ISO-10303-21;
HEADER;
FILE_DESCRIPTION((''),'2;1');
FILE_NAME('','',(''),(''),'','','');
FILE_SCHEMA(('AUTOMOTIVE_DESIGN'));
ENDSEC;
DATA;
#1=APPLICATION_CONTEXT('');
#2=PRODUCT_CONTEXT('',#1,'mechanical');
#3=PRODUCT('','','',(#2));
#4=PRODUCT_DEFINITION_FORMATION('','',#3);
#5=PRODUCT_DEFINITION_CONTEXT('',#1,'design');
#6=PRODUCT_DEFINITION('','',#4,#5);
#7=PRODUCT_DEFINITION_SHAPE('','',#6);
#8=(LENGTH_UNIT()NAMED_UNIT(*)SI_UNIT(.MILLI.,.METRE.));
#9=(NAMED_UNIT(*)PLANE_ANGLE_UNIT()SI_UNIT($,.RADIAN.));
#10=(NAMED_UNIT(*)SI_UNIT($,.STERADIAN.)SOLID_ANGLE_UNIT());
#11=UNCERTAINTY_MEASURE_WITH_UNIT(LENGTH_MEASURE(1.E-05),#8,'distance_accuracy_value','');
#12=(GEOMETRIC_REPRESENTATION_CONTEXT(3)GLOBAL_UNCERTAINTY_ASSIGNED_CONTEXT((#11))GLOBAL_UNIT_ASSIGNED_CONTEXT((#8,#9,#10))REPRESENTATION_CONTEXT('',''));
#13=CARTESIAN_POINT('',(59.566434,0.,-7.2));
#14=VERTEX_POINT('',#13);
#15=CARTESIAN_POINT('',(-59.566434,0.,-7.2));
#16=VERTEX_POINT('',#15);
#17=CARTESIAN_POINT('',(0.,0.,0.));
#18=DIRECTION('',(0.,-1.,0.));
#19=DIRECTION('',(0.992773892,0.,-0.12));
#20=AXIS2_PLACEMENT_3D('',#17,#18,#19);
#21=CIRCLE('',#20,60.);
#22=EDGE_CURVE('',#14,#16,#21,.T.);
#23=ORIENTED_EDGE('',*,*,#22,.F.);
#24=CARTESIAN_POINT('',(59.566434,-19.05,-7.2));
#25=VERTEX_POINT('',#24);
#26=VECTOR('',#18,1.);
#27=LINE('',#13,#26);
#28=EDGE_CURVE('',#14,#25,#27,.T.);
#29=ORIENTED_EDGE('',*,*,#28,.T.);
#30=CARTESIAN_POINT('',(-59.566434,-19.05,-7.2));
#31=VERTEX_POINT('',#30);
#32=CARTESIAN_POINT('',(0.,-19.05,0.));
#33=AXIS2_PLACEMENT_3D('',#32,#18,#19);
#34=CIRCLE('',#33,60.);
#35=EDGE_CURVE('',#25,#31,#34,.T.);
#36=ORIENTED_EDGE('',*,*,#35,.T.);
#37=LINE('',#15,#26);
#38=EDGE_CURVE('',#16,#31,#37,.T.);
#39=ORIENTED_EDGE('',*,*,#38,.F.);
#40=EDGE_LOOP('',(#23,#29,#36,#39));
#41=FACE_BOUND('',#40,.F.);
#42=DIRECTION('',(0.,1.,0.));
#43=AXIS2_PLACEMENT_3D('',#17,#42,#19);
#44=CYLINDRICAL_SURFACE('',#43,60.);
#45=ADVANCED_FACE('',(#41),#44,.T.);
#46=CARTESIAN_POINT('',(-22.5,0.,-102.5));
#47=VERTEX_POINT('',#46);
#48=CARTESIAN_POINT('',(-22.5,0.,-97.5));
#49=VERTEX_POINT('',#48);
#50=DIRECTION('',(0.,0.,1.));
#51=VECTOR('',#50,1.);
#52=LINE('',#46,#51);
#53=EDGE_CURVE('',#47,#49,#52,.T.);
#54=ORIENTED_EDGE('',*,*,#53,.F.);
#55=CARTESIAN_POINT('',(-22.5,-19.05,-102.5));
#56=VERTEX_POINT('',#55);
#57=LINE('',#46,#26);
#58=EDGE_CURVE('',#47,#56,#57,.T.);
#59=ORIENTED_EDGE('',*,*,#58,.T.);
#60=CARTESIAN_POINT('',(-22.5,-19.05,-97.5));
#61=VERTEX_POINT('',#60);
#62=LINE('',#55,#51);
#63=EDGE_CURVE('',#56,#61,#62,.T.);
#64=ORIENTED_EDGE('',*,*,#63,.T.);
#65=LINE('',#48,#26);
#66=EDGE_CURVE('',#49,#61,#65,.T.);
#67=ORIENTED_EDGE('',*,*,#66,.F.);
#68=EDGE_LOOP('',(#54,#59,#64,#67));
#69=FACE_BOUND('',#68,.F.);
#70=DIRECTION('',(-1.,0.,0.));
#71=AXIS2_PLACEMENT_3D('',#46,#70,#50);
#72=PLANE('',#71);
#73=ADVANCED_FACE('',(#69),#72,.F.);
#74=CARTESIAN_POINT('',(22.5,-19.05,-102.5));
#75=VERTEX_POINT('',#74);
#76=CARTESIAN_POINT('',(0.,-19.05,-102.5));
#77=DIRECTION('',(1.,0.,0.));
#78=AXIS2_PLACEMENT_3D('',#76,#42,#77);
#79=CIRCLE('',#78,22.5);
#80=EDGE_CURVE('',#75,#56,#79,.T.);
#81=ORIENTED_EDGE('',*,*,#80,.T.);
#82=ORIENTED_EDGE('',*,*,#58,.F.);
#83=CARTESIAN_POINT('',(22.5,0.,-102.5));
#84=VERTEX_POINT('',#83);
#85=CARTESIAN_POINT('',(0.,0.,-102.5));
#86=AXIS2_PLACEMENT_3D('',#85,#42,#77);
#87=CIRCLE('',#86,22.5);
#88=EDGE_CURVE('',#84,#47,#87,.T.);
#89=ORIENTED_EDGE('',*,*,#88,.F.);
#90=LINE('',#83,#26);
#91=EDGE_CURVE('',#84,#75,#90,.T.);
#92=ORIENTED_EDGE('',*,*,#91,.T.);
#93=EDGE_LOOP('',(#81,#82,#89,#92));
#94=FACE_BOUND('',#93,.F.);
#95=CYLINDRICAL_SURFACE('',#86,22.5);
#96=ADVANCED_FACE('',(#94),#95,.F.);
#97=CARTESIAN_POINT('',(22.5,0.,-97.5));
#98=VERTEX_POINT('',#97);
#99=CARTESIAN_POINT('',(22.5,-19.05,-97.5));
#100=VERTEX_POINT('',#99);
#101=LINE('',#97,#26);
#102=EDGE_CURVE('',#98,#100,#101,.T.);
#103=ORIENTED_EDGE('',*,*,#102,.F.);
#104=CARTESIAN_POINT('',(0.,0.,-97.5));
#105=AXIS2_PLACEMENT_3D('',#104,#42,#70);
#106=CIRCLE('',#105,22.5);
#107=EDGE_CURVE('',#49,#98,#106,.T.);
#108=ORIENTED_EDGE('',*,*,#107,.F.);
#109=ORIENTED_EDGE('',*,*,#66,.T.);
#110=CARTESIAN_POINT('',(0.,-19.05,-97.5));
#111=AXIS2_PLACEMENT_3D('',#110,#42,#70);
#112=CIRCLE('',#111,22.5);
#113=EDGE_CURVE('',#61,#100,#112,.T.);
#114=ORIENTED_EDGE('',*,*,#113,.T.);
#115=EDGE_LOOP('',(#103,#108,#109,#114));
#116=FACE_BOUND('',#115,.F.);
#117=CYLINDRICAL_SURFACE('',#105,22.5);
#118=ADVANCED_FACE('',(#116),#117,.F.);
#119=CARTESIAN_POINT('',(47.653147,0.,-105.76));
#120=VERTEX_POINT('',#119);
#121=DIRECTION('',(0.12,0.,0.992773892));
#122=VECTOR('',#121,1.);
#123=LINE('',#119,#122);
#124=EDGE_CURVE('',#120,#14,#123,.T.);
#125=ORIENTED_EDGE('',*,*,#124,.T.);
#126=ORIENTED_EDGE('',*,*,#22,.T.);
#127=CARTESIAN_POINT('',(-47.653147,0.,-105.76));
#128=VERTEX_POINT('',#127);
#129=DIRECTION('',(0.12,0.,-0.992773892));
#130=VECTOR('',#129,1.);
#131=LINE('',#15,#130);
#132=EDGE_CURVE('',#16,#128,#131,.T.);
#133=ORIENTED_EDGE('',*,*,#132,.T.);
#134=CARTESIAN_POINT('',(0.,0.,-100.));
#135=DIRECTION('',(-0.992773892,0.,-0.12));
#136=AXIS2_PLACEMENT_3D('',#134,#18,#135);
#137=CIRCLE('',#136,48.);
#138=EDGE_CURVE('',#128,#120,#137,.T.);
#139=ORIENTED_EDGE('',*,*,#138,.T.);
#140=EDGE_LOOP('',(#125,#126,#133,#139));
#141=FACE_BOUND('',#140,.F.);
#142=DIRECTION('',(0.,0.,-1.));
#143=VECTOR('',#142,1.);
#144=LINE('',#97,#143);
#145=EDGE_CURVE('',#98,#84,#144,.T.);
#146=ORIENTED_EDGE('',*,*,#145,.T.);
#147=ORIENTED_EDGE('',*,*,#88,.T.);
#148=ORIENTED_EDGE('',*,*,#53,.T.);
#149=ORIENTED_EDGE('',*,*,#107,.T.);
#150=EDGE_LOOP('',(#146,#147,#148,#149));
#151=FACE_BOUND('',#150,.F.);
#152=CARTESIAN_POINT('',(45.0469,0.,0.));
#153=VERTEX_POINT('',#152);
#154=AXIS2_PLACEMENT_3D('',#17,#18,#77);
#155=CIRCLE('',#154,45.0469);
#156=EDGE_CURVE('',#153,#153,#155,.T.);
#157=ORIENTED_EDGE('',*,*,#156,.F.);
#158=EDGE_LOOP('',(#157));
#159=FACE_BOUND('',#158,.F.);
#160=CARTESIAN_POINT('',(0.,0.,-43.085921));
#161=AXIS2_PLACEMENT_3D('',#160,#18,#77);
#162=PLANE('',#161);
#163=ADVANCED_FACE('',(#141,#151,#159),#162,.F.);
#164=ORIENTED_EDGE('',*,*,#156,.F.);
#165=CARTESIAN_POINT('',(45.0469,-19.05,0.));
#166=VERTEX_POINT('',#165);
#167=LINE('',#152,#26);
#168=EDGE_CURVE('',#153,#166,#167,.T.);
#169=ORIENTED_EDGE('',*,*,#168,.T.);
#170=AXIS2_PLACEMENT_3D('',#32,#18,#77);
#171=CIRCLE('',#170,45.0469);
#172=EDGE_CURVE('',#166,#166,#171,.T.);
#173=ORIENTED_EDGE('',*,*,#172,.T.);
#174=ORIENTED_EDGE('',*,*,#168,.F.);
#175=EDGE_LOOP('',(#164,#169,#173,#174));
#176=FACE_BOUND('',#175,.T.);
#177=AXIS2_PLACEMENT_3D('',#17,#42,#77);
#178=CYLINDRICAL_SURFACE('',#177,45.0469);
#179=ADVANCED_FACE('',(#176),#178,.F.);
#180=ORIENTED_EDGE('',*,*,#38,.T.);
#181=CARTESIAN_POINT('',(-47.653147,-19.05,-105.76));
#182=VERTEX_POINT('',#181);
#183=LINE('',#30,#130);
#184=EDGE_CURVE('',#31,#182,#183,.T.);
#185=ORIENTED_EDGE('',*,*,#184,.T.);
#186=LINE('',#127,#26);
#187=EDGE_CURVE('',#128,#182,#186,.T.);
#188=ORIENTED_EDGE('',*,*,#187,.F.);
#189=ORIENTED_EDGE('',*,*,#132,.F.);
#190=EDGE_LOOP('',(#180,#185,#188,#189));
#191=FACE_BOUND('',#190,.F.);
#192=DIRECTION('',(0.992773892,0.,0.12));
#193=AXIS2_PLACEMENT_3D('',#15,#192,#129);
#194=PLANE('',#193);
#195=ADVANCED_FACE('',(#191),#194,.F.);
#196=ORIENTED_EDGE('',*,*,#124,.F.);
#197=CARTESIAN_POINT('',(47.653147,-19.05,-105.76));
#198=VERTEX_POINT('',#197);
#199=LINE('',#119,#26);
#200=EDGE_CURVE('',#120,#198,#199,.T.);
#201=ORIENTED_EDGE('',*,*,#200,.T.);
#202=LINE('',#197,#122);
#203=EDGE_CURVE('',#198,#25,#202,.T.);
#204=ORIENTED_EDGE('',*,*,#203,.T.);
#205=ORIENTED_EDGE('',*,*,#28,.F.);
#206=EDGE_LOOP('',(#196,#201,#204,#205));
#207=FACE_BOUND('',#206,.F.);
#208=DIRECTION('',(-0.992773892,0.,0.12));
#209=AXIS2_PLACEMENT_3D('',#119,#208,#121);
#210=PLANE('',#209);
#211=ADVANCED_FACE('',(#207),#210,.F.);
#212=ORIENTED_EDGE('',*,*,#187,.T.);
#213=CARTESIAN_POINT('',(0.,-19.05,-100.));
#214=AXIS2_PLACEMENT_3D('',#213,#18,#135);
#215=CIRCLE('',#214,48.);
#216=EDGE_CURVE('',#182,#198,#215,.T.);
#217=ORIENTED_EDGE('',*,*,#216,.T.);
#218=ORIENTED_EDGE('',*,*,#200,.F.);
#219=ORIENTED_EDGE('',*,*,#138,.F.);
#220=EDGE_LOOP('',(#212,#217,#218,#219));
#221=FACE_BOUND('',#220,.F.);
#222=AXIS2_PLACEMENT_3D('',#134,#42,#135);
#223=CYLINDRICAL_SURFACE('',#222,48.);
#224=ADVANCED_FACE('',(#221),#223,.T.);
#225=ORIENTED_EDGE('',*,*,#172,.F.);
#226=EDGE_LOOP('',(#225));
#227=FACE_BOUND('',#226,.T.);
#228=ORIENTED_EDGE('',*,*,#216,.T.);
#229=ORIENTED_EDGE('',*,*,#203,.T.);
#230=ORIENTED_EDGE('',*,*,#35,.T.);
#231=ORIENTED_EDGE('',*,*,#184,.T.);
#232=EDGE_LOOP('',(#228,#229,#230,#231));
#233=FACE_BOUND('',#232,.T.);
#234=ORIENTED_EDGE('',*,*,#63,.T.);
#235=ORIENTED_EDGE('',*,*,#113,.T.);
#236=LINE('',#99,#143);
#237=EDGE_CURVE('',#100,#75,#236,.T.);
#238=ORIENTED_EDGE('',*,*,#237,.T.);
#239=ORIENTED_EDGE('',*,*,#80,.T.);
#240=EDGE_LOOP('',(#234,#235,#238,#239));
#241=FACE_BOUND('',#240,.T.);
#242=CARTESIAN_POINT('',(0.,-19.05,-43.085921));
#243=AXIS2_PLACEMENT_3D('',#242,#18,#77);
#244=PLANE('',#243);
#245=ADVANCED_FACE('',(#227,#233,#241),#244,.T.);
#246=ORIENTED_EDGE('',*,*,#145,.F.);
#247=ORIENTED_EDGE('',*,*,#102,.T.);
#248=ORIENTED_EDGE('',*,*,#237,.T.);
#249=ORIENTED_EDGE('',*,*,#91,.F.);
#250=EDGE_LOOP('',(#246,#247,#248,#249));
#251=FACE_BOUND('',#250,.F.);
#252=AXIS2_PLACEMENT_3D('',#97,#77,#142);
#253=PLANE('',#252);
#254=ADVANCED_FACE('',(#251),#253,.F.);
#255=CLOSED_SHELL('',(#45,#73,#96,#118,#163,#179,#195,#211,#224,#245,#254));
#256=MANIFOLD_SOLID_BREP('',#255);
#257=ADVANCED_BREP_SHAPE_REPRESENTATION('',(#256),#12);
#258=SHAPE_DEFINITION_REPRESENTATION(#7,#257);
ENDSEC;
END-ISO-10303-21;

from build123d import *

# Parameters (mm, degrees)
F0_R     = 45.0469
F1_DEPTH = 19.05


with BuildPart() as f1:
    # F0 (on Front) → F1 (new body)
    with BuildSketch(Plane.XZ):
        with BuildLine():
            Line((47.6531468006, -105.76), (59.5664335008, -7.2))
            ThreePointArc((59.5664335008, -7.2), (0, 60), (-59.5664335008, -7.2))
            Line((-59.5664335008, -7.2), (-47.6531468006, -105.76))
            ThreePointArc((-47.6531468006, -105.76), (0, -148), (47.6531468006, -105.76))
        make_face()
        with BuildLine():
            Line((-22.5, -102.5), (-22.5, -97.5))
            ThreePointArc((-22.5, -97.5), (0, -75), (22.5, -97.5))
            Line((22.5, -97.5), (22.5, -102.5))
            ThreePointArc((22.5, -102.5), (0, -125), (-22.5, -102.5))
        make_face(mode=Mode.SUBTRACT)
        Circle(F0_R, mode=Mode.SUBTRACT)
    extrude(amount=F1_DEPTH)


solid = f1.part
